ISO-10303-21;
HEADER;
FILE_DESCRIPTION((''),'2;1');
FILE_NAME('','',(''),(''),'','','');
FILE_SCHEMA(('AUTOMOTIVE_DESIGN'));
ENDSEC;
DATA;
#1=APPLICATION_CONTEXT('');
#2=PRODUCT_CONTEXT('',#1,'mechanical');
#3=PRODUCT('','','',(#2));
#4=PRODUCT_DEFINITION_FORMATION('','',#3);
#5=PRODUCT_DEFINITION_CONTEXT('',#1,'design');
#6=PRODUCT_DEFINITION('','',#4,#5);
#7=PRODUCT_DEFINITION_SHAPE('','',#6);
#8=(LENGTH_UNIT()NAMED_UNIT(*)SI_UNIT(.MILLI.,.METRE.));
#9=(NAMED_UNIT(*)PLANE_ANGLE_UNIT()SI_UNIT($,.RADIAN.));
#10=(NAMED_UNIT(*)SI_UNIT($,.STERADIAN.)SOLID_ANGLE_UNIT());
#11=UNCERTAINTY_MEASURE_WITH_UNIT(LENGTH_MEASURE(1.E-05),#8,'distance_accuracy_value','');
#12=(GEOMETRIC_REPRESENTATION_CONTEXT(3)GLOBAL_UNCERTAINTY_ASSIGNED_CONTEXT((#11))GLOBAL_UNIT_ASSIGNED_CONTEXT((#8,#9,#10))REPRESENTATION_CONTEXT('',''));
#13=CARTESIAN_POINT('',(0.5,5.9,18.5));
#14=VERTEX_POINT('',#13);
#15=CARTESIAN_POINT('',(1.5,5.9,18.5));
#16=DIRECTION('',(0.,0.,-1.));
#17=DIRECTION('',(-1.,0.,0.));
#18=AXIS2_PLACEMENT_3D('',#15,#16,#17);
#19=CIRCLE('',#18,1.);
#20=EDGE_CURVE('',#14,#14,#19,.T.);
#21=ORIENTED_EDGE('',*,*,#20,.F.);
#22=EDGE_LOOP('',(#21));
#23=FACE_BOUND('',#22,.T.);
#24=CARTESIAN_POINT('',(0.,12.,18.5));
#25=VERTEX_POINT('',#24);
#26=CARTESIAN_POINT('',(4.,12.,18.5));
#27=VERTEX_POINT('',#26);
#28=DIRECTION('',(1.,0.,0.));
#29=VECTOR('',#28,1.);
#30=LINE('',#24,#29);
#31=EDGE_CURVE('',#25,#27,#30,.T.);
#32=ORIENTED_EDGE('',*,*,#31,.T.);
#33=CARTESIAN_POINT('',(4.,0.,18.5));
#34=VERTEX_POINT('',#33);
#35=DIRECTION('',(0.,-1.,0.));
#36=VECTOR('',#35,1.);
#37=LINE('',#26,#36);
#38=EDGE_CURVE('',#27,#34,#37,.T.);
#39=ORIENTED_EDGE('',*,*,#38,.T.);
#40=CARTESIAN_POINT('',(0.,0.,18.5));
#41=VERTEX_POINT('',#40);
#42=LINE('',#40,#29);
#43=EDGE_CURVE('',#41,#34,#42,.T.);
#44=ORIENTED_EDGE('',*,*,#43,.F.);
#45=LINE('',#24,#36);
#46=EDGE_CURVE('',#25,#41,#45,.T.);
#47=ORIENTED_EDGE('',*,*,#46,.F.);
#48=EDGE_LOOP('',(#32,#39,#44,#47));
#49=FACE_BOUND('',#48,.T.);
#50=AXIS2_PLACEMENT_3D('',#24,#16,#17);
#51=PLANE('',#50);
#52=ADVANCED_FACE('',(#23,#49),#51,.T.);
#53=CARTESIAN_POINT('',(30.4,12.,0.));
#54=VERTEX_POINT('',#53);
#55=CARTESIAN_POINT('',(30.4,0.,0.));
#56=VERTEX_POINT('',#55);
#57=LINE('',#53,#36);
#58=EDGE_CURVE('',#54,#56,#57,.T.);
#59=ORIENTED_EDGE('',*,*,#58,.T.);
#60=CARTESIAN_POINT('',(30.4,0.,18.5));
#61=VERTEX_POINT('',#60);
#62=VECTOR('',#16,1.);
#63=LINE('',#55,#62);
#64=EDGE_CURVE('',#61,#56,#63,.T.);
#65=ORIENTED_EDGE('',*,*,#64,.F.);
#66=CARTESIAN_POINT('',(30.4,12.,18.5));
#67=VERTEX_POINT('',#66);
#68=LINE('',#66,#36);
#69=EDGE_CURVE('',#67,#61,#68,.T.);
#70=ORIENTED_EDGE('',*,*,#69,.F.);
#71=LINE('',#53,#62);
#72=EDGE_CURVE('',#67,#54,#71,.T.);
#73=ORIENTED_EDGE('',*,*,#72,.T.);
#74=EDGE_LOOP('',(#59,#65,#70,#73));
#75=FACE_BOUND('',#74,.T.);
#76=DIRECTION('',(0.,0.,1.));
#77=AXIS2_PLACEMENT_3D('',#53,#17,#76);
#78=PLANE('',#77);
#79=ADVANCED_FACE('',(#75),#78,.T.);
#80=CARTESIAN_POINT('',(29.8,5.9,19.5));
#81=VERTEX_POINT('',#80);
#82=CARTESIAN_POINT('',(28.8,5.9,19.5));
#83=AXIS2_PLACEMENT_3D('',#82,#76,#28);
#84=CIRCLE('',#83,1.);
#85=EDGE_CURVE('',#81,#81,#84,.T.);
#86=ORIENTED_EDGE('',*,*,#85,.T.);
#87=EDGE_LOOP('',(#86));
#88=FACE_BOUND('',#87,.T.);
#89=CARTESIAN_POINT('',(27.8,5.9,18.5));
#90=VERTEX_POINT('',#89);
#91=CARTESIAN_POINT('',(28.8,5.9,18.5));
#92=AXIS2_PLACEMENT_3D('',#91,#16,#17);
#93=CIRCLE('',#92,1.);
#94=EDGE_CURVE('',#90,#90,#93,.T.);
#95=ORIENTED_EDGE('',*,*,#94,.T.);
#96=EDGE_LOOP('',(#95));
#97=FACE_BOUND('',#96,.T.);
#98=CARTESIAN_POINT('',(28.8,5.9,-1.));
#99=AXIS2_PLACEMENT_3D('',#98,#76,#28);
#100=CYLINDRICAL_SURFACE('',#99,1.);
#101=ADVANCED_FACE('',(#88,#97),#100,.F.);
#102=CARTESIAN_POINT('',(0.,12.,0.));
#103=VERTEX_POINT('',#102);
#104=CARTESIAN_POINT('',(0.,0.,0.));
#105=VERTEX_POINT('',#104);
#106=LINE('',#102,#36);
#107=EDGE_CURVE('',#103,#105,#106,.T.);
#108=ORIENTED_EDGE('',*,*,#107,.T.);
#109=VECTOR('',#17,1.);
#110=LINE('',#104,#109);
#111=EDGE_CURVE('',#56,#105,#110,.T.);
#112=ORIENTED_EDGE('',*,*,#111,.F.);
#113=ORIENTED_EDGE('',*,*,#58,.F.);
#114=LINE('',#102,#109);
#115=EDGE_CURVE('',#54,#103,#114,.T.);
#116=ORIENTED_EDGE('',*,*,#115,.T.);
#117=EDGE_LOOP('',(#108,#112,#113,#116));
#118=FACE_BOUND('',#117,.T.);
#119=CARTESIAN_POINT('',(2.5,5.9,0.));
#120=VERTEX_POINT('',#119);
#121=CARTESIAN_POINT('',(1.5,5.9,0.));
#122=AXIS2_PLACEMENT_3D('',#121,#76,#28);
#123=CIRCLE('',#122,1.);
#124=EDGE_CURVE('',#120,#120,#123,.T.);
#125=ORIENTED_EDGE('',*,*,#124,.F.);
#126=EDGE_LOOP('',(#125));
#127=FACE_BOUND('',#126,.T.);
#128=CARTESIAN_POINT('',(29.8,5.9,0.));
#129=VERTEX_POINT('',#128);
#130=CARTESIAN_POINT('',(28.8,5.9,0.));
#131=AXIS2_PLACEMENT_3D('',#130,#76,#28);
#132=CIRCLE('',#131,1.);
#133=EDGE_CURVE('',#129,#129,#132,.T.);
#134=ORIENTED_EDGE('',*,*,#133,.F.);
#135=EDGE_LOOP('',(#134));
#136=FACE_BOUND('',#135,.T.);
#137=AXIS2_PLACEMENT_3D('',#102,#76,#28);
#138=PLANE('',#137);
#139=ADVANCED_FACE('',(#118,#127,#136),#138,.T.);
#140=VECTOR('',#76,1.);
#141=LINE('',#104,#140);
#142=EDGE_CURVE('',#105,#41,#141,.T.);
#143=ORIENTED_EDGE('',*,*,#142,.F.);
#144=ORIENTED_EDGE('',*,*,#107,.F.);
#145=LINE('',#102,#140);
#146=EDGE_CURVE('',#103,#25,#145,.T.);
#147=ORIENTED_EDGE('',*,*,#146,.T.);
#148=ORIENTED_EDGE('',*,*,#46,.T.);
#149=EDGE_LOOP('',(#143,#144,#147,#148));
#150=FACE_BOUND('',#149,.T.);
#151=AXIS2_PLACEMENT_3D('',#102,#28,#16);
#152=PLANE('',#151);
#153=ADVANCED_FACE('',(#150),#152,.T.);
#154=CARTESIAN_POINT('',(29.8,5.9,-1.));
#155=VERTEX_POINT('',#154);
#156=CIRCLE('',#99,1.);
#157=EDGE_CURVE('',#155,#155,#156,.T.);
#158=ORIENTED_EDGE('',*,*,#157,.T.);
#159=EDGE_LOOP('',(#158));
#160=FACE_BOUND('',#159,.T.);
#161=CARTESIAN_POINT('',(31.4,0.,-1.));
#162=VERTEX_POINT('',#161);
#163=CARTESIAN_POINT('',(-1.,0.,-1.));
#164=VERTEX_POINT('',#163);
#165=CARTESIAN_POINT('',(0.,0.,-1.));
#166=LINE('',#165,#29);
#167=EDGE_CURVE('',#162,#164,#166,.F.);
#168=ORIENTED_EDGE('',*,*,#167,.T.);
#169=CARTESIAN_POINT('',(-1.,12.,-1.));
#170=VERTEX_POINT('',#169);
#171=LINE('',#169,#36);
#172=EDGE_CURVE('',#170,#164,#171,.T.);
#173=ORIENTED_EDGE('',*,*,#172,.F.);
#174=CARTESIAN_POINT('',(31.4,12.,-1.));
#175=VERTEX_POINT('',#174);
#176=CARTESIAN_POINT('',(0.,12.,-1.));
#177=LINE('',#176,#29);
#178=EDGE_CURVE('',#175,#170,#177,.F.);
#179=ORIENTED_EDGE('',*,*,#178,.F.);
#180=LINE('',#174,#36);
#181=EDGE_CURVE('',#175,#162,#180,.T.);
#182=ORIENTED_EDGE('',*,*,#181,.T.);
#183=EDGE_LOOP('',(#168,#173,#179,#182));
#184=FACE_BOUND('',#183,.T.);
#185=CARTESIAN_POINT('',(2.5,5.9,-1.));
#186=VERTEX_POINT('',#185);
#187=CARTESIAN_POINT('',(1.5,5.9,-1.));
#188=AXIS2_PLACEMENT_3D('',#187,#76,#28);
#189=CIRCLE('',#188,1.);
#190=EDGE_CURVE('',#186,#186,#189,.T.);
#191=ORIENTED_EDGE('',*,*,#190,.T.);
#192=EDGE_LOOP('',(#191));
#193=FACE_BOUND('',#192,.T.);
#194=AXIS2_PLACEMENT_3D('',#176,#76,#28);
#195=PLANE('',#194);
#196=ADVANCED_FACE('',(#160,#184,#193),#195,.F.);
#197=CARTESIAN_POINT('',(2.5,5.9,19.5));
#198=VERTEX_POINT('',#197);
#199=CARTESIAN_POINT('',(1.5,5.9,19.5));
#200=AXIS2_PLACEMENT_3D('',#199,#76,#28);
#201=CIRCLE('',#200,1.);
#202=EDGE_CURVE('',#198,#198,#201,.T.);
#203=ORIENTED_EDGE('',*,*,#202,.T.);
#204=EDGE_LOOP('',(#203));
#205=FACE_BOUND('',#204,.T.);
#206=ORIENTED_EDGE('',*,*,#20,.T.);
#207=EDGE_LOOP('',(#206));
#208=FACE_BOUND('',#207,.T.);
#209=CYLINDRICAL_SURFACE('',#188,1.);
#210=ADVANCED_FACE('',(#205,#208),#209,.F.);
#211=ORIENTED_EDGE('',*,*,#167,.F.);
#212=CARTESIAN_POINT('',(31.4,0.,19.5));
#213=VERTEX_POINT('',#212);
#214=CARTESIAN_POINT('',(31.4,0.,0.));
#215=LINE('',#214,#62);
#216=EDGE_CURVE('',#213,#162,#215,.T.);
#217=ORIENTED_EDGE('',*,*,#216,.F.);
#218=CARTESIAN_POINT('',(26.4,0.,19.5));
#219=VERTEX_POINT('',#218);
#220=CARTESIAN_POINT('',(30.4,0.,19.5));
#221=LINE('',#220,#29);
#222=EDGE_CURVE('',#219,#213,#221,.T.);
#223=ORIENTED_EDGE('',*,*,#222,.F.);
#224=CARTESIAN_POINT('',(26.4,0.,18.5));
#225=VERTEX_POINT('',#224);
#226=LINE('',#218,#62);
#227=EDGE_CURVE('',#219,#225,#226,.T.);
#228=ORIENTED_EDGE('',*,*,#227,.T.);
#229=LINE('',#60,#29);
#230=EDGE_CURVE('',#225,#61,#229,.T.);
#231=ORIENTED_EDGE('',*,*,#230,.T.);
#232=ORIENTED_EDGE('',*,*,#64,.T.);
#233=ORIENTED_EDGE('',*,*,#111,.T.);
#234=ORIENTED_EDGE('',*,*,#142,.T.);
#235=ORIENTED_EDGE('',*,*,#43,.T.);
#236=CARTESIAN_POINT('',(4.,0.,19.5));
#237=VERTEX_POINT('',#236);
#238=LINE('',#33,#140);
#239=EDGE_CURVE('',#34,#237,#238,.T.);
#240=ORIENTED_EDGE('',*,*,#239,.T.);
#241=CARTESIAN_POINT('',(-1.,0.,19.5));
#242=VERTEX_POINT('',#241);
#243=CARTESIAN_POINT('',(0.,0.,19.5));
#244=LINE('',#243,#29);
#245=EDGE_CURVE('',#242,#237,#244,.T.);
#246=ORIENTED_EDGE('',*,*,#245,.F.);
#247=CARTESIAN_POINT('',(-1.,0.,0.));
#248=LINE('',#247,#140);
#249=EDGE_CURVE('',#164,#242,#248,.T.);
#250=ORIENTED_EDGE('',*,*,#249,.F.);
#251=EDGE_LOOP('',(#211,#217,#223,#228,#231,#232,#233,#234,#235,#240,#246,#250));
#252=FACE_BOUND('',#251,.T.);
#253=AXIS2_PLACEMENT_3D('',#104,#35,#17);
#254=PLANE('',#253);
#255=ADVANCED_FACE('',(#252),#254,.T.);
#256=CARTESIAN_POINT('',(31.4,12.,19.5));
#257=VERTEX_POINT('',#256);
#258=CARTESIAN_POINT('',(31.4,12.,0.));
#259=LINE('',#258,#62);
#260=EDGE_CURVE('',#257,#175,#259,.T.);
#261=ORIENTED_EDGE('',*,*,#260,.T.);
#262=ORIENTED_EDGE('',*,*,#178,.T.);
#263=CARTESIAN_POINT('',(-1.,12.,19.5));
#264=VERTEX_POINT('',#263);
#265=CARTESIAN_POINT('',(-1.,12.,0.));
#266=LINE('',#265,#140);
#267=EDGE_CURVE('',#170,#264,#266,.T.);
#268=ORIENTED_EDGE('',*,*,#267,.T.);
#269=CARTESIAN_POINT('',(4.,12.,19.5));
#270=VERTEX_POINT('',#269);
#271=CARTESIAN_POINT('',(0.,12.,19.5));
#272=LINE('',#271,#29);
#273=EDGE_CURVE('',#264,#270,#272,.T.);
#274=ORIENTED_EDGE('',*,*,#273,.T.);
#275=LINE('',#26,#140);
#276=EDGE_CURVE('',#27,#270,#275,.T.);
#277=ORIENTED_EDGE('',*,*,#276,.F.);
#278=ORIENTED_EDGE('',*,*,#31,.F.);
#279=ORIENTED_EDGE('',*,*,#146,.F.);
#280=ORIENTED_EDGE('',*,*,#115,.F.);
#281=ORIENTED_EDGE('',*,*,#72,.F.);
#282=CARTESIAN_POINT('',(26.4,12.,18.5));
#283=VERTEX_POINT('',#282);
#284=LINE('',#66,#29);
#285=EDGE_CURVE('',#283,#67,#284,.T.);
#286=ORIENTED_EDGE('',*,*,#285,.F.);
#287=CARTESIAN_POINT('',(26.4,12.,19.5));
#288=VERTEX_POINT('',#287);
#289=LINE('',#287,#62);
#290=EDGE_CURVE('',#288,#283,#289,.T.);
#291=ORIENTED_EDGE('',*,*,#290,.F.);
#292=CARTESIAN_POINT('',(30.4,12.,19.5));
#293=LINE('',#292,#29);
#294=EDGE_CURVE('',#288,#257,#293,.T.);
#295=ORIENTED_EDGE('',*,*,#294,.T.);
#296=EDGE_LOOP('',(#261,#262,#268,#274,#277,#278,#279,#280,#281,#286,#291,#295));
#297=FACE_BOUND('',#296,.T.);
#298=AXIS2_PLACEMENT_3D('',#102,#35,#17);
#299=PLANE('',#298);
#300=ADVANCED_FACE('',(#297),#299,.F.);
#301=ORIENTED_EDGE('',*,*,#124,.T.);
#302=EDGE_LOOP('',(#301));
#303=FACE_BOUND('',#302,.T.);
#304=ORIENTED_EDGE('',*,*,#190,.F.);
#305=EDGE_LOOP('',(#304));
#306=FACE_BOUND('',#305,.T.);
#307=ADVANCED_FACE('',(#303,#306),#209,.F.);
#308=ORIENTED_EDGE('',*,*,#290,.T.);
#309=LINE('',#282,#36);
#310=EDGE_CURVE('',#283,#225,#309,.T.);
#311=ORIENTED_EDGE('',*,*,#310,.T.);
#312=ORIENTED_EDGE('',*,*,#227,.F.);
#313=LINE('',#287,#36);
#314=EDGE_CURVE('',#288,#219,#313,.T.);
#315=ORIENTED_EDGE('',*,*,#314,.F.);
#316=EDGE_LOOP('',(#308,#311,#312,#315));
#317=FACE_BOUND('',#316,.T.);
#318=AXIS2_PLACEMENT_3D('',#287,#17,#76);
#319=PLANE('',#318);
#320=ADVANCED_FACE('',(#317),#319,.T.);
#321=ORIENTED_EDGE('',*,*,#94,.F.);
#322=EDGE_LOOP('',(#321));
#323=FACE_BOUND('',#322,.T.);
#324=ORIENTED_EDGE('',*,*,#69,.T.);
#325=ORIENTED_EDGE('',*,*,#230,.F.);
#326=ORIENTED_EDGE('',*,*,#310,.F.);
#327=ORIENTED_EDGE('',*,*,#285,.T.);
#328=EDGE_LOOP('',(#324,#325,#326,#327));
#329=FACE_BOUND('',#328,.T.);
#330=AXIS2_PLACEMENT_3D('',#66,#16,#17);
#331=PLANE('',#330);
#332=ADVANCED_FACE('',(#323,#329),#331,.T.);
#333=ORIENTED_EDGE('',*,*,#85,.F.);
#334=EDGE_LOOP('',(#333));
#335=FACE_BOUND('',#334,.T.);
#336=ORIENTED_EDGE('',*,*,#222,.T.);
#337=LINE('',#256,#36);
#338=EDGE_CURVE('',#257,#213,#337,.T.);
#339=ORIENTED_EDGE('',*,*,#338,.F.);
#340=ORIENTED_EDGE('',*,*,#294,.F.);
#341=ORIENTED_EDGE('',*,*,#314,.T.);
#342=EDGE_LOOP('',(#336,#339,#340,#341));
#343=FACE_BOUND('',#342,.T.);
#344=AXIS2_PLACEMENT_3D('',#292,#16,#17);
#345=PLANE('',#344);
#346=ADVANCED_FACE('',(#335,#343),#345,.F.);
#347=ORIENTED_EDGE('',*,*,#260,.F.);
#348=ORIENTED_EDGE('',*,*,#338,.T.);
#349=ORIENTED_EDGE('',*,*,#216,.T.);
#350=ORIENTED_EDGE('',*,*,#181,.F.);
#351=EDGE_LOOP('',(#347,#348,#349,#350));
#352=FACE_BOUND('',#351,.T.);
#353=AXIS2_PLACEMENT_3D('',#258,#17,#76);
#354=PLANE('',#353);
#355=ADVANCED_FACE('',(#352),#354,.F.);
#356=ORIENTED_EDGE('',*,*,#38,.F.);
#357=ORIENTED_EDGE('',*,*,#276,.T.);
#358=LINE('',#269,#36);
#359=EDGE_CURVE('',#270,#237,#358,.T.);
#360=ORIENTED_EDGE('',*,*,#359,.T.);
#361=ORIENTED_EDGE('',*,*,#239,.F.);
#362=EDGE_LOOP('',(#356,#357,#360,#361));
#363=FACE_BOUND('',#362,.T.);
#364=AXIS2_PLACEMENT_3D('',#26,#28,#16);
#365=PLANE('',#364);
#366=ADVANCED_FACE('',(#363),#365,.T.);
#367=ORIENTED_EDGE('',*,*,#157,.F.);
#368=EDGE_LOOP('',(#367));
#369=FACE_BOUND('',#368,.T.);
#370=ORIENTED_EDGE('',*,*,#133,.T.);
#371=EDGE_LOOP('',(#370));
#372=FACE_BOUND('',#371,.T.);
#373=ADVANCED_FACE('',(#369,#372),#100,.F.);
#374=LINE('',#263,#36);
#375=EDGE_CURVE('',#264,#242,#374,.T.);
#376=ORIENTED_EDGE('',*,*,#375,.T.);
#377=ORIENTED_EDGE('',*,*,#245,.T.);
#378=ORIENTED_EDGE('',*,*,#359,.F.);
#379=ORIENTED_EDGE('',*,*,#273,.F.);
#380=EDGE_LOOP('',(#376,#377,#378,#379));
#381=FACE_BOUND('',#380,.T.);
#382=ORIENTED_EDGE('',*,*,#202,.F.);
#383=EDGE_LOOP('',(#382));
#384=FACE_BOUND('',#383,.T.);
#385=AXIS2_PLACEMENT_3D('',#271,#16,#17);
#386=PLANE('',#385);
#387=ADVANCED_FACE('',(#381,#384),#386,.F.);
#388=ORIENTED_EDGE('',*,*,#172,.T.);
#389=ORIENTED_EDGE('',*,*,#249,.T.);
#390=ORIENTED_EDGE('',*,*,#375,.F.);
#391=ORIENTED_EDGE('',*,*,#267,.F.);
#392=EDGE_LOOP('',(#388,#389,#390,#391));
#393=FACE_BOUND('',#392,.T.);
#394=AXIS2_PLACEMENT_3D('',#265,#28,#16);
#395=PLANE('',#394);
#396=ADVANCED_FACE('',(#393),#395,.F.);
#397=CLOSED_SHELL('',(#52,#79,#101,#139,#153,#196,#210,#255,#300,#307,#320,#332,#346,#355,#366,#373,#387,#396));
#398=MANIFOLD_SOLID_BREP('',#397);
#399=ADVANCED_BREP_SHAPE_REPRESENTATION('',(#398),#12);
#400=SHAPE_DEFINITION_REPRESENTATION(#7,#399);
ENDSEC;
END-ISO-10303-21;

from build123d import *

# Parameters (mm, degrees)
EXTRUDE_THIN1_DEPTH = 12
SKETCH4_R           = 1
CUT_EXTRUDE2_DEPTH  = 40.372706282


with BuildPart() as part:
    # Sketch2 → Extrude-Thin1 (new body)
    with BuildSketch(Plane(origin=(0, 0, 0), x_dir=(1, 0, 0), z_dir=(0, 1, 0))):
        Polygon((4, -18.5), (0, -18.5), (0, 0), (30.4, 0), (30.4, -18.5), (26.4, -18.5), (26.4, -19.5), (31.4, -19.5), (31.4, 1), (-1, 1), (-1, -19.5), (4, -19.5), align=None)
    extrude(amount=EXTRUDE_THIN1_DEPTH)

    # Sketch4 → Cut-Extrude2 (cut, through all)
    with BuildSketch(Plane.XY.offset(19.5)):
        with Locations((28.8, 5.9)):
            Circle(SKETCH4_R)
        with Locations((1.5, 5.9)):
            Circle(SKETCH4_R)
    extrude(amount=-CUT_EXTRUDE2_DEPTH, mode=Mode.SUBTRACT)


solid = part.part
